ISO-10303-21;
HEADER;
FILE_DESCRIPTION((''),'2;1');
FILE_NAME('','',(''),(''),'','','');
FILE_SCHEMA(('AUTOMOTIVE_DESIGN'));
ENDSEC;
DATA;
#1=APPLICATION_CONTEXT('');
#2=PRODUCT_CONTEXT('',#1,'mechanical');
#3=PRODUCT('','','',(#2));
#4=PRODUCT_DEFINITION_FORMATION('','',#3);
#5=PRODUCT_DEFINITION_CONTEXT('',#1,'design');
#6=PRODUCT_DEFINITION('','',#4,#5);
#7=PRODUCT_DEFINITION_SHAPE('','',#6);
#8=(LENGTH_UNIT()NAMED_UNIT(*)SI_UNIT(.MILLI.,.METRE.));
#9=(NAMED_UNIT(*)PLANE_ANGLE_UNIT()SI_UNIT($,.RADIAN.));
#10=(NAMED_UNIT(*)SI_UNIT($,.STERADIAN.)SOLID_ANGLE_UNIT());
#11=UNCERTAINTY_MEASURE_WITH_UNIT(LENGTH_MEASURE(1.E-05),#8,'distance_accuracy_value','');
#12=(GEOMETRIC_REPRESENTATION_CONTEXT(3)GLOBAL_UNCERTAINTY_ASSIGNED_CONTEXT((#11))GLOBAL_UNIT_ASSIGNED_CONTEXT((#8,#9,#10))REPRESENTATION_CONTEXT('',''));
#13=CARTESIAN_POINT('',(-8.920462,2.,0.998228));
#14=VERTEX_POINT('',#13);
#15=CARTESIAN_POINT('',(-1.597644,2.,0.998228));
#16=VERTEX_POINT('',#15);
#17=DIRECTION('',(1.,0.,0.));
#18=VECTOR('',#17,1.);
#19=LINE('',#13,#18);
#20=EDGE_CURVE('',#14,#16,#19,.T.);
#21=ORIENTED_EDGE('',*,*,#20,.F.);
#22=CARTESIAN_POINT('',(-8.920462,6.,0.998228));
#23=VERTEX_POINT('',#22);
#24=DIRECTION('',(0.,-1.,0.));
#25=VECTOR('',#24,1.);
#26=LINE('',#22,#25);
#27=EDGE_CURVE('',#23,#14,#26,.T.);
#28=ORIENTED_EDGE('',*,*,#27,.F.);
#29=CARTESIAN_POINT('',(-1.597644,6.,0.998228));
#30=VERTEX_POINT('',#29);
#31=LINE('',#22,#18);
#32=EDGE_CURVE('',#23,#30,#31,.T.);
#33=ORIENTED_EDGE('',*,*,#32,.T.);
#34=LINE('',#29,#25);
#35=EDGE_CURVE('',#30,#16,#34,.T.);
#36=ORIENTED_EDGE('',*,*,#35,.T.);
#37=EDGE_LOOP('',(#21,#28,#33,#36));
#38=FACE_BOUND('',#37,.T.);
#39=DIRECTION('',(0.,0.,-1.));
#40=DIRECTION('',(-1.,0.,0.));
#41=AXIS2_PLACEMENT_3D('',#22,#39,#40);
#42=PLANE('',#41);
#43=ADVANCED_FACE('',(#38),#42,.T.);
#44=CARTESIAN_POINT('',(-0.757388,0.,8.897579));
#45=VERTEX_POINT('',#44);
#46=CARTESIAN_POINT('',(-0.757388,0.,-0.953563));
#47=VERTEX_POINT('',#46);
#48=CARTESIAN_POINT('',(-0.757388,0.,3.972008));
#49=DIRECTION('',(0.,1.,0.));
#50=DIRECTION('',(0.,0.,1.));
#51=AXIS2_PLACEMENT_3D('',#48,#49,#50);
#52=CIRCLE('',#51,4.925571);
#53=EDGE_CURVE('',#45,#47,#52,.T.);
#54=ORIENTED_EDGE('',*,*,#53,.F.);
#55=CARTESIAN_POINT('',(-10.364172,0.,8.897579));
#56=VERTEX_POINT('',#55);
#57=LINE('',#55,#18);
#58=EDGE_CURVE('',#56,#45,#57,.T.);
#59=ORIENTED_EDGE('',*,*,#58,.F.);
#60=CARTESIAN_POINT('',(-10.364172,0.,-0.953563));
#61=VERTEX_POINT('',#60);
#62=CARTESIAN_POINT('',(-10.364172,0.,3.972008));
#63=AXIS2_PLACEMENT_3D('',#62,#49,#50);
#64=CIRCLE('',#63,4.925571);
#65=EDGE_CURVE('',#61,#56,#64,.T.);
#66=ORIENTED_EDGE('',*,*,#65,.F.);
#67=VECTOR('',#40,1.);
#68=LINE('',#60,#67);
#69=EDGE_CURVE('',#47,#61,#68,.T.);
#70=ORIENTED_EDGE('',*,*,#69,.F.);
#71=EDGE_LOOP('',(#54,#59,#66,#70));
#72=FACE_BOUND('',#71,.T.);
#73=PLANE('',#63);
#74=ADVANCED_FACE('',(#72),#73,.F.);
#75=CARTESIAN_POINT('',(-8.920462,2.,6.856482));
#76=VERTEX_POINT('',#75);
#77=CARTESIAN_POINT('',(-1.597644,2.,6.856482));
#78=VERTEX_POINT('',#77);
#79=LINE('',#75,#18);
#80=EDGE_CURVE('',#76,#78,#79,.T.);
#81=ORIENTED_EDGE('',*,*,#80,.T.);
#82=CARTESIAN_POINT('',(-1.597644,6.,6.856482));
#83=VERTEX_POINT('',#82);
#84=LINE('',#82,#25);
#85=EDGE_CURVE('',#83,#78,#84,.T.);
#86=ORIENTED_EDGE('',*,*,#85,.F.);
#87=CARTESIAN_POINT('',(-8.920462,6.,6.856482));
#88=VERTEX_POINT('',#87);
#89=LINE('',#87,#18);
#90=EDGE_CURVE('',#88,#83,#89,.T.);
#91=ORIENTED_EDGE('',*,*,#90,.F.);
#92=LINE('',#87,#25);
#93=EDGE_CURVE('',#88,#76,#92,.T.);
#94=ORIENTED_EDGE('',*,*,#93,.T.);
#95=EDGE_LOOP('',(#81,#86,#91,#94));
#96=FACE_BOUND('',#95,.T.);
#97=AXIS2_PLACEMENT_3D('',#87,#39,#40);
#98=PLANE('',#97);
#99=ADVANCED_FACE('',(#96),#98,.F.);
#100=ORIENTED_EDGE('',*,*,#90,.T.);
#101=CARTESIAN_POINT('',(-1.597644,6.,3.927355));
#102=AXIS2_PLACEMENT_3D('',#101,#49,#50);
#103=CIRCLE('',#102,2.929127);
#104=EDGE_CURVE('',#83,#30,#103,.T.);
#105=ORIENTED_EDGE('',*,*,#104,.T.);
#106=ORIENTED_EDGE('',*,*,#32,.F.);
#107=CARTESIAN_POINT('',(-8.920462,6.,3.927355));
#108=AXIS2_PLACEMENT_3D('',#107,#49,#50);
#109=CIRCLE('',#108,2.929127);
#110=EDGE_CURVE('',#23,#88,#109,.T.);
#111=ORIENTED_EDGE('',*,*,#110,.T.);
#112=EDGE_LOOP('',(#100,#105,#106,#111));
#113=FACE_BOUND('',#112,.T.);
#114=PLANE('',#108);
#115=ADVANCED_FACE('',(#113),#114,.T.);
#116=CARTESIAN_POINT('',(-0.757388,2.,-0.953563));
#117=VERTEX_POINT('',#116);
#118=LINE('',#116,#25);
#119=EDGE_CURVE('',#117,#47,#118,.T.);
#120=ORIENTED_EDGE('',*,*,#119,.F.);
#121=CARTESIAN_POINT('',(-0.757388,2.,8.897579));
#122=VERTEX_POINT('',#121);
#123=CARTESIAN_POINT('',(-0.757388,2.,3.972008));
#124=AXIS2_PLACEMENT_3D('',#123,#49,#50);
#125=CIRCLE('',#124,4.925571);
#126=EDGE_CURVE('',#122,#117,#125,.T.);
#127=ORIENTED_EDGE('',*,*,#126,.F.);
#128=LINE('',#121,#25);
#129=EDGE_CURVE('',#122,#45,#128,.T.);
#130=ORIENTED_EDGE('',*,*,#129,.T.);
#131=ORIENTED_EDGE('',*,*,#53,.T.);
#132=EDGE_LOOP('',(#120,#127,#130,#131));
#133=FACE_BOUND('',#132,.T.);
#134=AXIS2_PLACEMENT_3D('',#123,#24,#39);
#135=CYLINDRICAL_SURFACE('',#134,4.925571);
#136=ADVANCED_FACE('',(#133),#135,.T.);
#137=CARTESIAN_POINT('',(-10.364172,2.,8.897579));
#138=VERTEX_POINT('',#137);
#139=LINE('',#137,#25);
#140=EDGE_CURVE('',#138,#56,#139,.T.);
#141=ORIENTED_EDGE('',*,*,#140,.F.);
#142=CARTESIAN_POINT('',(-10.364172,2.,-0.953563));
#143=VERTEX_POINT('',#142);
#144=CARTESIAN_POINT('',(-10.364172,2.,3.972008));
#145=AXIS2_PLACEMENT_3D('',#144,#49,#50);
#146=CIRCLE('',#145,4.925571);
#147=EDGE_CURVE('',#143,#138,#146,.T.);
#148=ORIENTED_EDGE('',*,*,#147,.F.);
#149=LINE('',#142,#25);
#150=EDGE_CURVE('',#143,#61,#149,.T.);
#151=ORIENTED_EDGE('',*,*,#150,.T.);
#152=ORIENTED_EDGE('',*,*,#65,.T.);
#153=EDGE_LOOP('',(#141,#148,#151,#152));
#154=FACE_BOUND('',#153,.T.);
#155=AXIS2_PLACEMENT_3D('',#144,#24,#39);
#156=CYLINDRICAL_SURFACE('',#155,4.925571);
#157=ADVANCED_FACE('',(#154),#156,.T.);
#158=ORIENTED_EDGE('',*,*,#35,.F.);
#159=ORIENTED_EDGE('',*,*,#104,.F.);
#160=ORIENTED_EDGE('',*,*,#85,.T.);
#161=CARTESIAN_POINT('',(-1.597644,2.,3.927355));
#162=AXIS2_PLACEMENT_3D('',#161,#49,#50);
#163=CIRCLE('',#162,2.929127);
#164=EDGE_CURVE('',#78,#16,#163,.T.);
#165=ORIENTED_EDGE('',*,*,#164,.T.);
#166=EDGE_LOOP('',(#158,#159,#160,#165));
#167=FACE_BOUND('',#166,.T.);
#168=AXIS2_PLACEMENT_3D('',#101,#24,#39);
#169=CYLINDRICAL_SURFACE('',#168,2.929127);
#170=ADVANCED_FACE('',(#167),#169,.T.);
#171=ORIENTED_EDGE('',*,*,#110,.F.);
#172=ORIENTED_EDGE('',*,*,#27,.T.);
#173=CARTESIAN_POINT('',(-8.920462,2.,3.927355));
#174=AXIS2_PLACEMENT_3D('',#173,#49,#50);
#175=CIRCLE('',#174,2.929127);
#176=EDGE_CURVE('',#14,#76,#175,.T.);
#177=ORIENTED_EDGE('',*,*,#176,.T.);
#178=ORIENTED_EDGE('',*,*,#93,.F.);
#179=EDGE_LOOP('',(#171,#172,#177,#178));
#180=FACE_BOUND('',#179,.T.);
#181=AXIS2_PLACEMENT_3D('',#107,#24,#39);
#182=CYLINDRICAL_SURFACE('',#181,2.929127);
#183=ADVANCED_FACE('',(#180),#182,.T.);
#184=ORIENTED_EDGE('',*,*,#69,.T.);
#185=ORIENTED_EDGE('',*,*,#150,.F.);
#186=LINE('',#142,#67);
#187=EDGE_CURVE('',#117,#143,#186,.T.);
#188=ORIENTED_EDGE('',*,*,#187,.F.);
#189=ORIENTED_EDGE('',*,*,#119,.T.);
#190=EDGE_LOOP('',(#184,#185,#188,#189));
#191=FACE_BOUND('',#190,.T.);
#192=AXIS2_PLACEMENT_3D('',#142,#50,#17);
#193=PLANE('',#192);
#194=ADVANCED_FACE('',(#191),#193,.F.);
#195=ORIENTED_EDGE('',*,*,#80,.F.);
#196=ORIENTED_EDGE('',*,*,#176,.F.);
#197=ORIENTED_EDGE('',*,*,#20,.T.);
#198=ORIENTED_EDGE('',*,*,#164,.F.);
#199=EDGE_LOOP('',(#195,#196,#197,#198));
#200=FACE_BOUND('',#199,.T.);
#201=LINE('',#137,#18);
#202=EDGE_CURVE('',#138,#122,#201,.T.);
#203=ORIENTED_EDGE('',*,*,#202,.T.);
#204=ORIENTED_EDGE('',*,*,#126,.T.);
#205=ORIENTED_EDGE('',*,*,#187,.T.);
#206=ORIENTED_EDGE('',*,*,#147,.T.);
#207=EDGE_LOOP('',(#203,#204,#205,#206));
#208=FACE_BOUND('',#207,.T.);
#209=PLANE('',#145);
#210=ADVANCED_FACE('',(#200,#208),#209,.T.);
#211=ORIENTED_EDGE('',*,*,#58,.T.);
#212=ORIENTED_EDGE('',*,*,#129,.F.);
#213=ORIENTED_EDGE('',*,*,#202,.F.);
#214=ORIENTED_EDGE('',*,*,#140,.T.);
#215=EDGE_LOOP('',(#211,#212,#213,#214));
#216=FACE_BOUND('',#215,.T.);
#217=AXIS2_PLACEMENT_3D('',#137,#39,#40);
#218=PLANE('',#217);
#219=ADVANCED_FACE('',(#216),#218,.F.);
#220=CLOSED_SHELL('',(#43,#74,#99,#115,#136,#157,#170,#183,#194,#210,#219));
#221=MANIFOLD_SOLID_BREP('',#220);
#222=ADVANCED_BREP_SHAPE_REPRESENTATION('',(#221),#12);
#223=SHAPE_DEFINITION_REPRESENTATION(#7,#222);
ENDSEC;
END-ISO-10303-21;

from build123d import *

# Parameters (mm, degrees)
EXTRUDE_1_DEPTH = 2
EXTRUDE_2_DEPTH = 4


with BuildPart() as part:
    # 草图1 → 凸台-拉伸1 (new body)
    with BuildSketch(Plane(origin=(0, 0, 0), x_dir=(1, 0, 0), z_dir=(0, 1, 0))):
        with BuildLine():
            Line((-10.36417176, 0.953563282), (-0.75738839, 0.953563282))
            ThreePointArc((-0.75738839, 0.953563282), (4.168182633, -3.972007741), (-0.75738839, -8.897578764))
            Line((-0.75738839, -8.897578764), (-10.36417176, -8.897578764))
            ThreePointArc((-10.36417176, -8.897578764), (-15.289742784, -3.972007741), (-10.36417176, 0.953563282))
        make_face()
    extrude(amount=EXTRUDE_1_DEPTH)

    # 草图2 → 凸台-拉伸2 (add)
    with BuildSketch(Plane(origin=(0, 2, 0), x_dir=(1, 0, 0), z_dir=(0, 1, 0))):
        with BuildLine():
            Line((-8.92046187, -0.998228401), (-1.597644475, -0.998228401))
            ThreePointArc((-1.597644475, -0.998228401), (1.331482483, -3.927355359), (-1.597644475, -6.856482317))
            Line((-1.597644475, -6.856482317), (-8.92046187, -6.856482317))
            ThreePointArc((-8.92046187, -6.856482317), (-11.849588828, -3.927355359), (-8.92046187, -0.998228401))
        make_face()
    extrude(amount=EXTRUDE_2_DEPTH)


solid = part.part
